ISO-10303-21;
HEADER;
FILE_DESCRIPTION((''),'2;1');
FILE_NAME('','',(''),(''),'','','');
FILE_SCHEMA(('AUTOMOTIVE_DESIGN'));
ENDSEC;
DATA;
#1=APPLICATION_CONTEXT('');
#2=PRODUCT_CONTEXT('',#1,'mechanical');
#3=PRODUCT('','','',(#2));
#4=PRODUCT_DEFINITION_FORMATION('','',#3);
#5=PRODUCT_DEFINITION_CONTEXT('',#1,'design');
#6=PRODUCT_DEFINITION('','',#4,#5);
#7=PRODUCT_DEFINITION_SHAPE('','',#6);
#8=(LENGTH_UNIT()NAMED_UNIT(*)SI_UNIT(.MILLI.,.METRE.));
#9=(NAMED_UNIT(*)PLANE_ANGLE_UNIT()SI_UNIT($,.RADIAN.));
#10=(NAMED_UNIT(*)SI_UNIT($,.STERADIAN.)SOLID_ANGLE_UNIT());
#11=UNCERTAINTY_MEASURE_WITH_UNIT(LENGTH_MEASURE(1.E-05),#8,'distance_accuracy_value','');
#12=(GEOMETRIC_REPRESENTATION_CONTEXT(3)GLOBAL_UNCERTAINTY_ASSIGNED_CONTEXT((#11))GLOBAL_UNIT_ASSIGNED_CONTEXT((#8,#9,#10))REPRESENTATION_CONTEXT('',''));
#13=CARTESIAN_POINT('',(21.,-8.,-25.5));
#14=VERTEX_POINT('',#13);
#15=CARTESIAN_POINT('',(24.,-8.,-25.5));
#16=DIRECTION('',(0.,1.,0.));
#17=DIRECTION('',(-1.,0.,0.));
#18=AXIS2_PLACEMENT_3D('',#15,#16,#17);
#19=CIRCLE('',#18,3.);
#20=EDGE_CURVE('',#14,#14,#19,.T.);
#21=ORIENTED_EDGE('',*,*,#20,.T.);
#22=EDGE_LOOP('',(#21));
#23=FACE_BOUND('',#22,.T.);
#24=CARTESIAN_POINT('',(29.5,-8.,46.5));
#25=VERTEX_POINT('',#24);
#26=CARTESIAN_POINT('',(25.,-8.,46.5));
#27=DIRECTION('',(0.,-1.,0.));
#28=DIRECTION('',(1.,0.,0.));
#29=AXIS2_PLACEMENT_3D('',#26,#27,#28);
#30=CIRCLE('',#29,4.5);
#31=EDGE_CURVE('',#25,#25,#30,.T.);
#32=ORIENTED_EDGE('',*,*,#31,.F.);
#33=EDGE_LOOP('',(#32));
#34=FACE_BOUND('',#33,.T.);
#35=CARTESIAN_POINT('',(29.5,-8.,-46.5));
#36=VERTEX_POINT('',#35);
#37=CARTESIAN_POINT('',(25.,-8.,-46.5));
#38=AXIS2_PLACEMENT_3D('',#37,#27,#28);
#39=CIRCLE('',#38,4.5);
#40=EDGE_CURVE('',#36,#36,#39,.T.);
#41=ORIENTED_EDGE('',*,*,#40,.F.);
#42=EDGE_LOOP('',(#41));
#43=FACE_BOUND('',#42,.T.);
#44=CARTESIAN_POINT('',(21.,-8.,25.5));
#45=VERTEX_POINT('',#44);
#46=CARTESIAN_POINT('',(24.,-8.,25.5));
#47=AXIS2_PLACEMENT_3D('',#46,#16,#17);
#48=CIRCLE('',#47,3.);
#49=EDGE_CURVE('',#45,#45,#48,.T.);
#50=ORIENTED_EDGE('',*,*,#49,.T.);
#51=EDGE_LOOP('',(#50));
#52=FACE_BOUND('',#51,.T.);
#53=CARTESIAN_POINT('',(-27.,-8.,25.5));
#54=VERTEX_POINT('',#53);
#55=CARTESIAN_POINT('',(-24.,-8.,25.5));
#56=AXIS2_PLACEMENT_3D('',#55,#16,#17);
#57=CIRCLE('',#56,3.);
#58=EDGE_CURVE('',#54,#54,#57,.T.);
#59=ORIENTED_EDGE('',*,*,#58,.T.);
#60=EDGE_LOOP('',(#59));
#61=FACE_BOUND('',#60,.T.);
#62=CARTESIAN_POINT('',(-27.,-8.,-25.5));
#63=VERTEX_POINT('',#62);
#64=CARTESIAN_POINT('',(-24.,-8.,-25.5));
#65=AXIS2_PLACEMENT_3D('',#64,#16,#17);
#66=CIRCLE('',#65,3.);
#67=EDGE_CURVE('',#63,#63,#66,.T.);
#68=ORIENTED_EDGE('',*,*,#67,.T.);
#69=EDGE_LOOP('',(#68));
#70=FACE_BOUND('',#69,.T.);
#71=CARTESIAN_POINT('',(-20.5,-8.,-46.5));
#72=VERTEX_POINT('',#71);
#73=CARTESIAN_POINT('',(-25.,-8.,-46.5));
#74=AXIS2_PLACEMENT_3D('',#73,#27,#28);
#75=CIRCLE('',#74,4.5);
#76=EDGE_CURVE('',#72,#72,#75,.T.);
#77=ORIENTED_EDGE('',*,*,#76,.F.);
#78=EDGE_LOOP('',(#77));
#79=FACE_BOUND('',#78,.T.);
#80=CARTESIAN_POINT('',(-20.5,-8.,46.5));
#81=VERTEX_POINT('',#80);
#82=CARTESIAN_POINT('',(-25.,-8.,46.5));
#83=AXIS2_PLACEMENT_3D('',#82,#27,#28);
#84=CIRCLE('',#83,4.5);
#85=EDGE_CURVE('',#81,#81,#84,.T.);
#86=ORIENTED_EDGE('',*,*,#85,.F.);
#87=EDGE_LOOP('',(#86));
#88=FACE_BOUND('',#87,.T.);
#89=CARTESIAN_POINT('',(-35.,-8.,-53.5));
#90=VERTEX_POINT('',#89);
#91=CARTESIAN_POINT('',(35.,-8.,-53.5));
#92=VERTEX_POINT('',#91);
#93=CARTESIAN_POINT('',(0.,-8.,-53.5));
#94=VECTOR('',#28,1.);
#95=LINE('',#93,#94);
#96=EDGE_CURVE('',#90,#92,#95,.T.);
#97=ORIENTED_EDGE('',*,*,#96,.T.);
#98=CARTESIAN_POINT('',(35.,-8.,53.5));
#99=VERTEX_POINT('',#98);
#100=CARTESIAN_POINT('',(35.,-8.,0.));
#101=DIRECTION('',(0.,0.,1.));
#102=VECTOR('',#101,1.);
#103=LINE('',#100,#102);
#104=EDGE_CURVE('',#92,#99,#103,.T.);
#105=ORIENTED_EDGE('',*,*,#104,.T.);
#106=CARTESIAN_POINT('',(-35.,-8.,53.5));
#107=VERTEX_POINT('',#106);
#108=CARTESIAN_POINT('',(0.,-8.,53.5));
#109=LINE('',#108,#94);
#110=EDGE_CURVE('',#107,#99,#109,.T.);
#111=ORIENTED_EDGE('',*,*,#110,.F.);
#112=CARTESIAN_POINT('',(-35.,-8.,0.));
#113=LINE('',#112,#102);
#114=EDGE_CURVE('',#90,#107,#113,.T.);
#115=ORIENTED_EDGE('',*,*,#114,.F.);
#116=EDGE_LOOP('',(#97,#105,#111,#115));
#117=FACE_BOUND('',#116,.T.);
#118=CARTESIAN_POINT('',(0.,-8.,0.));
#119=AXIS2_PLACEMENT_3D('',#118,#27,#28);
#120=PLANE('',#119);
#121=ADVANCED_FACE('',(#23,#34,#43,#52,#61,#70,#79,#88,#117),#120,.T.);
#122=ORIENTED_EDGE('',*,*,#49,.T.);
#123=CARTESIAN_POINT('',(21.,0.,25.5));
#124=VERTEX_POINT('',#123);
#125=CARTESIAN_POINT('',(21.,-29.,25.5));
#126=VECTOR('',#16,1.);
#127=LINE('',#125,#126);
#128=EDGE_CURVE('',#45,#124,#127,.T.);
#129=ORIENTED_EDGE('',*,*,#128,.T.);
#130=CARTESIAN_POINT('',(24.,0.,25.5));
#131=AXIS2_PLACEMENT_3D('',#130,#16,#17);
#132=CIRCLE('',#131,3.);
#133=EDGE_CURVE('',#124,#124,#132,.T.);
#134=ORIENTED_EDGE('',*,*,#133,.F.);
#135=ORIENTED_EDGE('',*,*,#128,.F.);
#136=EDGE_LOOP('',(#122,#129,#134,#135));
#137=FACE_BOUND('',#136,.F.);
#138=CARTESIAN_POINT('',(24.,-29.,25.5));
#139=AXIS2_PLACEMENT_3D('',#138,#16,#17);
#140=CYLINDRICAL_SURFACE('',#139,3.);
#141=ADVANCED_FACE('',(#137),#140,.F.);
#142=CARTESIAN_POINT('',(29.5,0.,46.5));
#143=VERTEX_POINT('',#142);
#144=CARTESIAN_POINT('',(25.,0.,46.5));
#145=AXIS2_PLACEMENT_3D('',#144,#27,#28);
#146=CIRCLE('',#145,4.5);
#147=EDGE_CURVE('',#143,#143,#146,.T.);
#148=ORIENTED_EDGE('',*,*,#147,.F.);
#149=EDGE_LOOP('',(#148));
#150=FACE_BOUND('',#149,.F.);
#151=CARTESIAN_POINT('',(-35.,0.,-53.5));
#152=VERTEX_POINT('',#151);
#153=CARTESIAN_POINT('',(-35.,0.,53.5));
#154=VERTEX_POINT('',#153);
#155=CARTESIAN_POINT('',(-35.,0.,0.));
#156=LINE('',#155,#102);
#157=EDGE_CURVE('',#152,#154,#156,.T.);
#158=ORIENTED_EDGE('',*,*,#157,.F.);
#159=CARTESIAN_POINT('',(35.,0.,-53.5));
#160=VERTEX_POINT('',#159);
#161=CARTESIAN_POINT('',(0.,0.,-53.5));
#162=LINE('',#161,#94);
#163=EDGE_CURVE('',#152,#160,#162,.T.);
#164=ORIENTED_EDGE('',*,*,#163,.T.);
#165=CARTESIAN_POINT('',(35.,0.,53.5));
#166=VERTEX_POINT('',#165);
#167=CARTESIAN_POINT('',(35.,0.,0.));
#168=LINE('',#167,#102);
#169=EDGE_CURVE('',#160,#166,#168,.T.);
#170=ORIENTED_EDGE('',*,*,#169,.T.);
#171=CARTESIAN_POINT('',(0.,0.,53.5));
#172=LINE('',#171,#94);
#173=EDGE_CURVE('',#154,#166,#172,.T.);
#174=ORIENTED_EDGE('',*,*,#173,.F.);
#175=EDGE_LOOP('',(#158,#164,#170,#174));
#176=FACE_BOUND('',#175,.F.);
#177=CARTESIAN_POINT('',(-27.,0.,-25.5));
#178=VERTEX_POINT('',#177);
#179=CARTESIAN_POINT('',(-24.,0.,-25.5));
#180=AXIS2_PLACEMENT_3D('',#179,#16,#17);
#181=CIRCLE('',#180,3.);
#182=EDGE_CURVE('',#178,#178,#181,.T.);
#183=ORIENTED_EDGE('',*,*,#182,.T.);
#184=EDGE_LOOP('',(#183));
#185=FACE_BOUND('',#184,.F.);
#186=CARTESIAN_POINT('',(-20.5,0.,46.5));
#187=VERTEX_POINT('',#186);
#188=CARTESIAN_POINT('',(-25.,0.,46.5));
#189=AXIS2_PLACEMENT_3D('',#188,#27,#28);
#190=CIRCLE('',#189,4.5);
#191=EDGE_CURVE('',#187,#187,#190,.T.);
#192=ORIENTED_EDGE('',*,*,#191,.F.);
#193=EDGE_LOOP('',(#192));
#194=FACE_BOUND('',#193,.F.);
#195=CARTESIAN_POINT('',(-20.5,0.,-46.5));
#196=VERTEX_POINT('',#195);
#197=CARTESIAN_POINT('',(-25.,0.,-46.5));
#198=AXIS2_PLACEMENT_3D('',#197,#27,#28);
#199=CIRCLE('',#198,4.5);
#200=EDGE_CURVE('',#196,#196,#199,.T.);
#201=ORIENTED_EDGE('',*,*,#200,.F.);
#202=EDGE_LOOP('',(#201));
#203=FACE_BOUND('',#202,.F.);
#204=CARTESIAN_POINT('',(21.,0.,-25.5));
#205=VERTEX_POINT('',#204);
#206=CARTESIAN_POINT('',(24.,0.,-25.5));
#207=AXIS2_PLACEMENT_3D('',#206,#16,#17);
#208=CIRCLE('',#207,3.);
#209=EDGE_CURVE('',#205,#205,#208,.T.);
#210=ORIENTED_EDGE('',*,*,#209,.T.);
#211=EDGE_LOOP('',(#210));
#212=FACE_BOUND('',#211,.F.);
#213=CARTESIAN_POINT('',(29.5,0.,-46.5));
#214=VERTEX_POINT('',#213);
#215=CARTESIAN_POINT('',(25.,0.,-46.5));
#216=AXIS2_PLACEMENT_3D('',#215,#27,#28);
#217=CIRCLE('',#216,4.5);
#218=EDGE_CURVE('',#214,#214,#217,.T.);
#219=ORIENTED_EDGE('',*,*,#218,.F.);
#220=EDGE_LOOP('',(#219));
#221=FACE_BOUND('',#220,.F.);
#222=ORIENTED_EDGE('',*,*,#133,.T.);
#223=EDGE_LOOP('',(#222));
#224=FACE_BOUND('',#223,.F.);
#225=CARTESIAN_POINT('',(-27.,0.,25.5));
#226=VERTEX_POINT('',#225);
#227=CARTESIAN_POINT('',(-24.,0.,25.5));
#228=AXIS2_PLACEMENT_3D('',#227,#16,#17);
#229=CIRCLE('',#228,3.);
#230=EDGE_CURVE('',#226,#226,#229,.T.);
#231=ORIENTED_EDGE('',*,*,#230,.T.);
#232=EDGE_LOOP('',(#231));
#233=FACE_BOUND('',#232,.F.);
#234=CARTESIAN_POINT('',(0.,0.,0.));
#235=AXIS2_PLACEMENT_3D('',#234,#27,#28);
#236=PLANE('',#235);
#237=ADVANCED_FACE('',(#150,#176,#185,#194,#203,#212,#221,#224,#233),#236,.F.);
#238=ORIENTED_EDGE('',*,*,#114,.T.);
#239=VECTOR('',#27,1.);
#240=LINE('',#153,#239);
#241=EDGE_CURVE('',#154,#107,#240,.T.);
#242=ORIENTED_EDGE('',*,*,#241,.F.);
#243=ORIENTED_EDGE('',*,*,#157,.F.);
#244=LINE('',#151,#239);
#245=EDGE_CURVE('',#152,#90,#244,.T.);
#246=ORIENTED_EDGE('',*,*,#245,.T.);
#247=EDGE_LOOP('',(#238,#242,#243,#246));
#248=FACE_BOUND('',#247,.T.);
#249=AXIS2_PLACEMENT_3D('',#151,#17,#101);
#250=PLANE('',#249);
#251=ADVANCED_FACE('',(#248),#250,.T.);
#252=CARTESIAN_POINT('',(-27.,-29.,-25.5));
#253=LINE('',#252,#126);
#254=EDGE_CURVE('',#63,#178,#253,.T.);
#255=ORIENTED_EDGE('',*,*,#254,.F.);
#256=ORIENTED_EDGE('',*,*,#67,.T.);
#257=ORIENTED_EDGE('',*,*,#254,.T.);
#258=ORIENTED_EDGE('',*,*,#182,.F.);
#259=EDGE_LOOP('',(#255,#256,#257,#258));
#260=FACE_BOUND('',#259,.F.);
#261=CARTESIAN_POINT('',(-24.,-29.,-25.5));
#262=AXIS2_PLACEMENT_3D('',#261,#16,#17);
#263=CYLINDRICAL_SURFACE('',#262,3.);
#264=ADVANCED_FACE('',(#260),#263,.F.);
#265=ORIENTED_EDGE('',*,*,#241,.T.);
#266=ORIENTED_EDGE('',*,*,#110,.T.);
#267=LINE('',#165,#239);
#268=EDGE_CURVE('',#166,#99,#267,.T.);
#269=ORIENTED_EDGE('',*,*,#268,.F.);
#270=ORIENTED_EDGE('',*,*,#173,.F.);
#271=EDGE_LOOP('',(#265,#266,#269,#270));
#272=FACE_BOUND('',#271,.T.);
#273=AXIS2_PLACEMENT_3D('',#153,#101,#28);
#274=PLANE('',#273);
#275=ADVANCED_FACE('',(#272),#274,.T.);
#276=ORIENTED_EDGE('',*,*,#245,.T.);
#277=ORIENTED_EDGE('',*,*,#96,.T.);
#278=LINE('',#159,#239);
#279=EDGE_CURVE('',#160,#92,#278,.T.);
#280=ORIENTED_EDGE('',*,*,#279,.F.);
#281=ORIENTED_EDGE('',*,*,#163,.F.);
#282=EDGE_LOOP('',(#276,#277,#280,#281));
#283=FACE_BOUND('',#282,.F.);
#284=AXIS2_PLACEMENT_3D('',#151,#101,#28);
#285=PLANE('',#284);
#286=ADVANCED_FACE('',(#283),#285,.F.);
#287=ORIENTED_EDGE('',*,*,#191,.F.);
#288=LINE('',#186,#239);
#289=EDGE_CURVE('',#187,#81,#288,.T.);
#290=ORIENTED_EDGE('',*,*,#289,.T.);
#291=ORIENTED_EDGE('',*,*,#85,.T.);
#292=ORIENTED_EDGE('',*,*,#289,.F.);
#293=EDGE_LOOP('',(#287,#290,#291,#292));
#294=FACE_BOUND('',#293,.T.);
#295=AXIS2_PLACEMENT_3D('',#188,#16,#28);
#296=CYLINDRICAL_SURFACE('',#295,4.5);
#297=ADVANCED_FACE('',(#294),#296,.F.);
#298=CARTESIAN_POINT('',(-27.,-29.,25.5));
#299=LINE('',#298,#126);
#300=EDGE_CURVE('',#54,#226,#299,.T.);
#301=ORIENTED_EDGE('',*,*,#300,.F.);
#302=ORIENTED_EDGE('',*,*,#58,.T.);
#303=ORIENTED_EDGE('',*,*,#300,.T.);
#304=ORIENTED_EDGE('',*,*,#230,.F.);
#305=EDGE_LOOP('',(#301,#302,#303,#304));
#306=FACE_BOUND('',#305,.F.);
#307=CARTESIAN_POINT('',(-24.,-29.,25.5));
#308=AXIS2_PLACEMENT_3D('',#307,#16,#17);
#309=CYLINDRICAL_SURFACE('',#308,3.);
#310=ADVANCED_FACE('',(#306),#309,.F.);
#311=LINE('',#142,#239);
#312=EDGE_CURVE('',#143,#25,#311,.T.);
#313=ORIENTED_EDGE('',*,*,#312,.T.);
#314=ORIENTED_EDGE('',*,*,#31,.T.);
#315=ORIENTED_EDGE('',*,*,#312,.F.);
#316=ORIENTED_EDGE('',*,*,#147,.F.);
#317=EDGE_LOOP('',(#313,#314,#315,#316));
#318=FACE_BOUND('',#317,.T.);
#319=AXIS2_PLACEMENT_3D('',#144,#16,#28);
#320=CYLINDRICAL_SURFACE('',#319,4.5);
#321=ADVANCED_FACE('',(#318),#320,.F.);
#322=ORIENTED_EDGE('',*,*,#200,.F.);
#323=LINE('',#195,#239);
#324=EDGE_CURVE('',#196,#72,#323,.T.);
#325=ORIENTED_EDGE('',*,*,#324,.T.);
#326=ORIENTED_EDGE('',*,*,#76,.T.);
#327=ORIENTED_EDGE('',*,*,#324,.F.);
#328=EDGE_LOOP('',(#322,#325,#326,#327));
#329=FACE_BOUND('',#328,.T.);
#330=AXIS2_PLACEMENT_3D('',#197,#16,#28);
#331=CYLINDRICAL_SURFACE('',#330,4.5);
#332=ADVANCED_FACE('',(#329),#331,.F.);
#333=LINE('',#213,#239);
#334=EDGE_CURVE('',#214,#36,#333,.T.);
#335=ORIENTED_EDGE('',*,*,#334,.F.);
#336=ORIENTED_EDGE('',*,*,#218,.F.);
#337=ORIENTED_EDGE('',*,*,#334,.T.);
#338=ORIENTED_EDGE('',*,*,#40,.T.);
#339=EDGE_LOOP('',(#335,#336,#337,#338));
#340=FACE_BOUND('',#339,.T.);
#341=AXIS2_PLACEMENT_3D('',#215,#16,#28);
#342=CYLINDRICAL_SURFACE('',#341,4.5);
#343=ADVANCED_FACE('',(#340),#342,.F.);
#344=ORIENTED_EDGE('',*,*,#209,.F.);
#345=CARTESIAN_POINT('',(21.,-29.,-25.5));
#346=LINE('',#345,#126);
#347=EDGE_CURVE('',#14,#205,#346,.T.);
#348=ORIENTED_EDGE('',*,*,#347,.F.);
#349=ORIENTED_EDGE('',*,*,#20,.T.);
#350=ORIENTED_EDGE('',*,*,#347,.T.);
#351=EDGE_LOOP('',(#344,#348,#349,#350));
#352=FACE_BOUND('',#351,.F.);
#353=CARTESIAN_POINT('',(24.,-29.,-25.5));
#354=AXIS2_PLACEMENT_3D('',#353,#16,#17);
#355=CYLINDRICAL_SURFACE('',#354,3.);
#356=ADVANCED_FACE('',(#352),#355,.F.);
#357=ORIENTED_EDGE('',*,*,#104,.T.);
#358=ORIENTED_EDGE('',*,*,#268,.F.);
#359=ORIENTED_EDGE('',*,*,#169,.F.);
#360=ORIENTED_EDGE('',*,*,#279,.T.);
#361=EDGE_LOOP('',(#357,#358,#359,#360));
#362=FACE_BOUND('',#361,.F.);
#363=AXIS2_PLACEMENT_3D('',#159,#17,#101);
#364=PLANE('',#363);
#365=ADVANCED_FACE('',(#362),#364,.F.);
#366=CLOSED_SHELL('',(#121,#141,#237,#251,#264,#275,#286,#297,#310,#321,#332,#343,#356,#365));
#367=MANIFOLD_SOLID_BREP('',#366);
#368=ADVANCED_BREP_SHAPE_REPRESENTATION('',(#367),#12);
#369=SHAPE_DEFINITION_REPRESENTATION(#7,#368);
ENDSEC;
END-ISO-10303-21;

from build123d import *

# Parameters (mm, degrees)
F0_W     = 70
F0_H     = 107
F0_R     = 4.5
F1_DEPTH = 8
F3_D     = 6
F3_DEPTH = 21


with BuildPart() as f1:
    # F0 (on Front) → F1 (new body)
    with BuildSketch(Plane.XZ):
        Rectangle(F0_W, F0_H)
        with Locations((-25, -46.5)):
            Circle(F0_R, mode=Mode.SUBTRACT)
        with Locations((25, -46.5)):
            Circle(F0_R, mode=Mode.SUBTRACT)
        with Locations((-25, 46.5)):
            Circle(F0_R, mode=Mode.SUBTRACT)
        with Locations((25, 46.5)):
            Circle(F0_R, mode=Mode.SUBTRACT)
    extrude(amount=F1_DEPTH)

    # F3
    with Locations(Plane.XZ.offset(8)):
        with Locations((-24, 25.5), (24, 25.5), (-24, -25.5), (24, -25.5)):
            Hole(F3_D / 2, depth=F3_DEPTH)


solid = f1.part
